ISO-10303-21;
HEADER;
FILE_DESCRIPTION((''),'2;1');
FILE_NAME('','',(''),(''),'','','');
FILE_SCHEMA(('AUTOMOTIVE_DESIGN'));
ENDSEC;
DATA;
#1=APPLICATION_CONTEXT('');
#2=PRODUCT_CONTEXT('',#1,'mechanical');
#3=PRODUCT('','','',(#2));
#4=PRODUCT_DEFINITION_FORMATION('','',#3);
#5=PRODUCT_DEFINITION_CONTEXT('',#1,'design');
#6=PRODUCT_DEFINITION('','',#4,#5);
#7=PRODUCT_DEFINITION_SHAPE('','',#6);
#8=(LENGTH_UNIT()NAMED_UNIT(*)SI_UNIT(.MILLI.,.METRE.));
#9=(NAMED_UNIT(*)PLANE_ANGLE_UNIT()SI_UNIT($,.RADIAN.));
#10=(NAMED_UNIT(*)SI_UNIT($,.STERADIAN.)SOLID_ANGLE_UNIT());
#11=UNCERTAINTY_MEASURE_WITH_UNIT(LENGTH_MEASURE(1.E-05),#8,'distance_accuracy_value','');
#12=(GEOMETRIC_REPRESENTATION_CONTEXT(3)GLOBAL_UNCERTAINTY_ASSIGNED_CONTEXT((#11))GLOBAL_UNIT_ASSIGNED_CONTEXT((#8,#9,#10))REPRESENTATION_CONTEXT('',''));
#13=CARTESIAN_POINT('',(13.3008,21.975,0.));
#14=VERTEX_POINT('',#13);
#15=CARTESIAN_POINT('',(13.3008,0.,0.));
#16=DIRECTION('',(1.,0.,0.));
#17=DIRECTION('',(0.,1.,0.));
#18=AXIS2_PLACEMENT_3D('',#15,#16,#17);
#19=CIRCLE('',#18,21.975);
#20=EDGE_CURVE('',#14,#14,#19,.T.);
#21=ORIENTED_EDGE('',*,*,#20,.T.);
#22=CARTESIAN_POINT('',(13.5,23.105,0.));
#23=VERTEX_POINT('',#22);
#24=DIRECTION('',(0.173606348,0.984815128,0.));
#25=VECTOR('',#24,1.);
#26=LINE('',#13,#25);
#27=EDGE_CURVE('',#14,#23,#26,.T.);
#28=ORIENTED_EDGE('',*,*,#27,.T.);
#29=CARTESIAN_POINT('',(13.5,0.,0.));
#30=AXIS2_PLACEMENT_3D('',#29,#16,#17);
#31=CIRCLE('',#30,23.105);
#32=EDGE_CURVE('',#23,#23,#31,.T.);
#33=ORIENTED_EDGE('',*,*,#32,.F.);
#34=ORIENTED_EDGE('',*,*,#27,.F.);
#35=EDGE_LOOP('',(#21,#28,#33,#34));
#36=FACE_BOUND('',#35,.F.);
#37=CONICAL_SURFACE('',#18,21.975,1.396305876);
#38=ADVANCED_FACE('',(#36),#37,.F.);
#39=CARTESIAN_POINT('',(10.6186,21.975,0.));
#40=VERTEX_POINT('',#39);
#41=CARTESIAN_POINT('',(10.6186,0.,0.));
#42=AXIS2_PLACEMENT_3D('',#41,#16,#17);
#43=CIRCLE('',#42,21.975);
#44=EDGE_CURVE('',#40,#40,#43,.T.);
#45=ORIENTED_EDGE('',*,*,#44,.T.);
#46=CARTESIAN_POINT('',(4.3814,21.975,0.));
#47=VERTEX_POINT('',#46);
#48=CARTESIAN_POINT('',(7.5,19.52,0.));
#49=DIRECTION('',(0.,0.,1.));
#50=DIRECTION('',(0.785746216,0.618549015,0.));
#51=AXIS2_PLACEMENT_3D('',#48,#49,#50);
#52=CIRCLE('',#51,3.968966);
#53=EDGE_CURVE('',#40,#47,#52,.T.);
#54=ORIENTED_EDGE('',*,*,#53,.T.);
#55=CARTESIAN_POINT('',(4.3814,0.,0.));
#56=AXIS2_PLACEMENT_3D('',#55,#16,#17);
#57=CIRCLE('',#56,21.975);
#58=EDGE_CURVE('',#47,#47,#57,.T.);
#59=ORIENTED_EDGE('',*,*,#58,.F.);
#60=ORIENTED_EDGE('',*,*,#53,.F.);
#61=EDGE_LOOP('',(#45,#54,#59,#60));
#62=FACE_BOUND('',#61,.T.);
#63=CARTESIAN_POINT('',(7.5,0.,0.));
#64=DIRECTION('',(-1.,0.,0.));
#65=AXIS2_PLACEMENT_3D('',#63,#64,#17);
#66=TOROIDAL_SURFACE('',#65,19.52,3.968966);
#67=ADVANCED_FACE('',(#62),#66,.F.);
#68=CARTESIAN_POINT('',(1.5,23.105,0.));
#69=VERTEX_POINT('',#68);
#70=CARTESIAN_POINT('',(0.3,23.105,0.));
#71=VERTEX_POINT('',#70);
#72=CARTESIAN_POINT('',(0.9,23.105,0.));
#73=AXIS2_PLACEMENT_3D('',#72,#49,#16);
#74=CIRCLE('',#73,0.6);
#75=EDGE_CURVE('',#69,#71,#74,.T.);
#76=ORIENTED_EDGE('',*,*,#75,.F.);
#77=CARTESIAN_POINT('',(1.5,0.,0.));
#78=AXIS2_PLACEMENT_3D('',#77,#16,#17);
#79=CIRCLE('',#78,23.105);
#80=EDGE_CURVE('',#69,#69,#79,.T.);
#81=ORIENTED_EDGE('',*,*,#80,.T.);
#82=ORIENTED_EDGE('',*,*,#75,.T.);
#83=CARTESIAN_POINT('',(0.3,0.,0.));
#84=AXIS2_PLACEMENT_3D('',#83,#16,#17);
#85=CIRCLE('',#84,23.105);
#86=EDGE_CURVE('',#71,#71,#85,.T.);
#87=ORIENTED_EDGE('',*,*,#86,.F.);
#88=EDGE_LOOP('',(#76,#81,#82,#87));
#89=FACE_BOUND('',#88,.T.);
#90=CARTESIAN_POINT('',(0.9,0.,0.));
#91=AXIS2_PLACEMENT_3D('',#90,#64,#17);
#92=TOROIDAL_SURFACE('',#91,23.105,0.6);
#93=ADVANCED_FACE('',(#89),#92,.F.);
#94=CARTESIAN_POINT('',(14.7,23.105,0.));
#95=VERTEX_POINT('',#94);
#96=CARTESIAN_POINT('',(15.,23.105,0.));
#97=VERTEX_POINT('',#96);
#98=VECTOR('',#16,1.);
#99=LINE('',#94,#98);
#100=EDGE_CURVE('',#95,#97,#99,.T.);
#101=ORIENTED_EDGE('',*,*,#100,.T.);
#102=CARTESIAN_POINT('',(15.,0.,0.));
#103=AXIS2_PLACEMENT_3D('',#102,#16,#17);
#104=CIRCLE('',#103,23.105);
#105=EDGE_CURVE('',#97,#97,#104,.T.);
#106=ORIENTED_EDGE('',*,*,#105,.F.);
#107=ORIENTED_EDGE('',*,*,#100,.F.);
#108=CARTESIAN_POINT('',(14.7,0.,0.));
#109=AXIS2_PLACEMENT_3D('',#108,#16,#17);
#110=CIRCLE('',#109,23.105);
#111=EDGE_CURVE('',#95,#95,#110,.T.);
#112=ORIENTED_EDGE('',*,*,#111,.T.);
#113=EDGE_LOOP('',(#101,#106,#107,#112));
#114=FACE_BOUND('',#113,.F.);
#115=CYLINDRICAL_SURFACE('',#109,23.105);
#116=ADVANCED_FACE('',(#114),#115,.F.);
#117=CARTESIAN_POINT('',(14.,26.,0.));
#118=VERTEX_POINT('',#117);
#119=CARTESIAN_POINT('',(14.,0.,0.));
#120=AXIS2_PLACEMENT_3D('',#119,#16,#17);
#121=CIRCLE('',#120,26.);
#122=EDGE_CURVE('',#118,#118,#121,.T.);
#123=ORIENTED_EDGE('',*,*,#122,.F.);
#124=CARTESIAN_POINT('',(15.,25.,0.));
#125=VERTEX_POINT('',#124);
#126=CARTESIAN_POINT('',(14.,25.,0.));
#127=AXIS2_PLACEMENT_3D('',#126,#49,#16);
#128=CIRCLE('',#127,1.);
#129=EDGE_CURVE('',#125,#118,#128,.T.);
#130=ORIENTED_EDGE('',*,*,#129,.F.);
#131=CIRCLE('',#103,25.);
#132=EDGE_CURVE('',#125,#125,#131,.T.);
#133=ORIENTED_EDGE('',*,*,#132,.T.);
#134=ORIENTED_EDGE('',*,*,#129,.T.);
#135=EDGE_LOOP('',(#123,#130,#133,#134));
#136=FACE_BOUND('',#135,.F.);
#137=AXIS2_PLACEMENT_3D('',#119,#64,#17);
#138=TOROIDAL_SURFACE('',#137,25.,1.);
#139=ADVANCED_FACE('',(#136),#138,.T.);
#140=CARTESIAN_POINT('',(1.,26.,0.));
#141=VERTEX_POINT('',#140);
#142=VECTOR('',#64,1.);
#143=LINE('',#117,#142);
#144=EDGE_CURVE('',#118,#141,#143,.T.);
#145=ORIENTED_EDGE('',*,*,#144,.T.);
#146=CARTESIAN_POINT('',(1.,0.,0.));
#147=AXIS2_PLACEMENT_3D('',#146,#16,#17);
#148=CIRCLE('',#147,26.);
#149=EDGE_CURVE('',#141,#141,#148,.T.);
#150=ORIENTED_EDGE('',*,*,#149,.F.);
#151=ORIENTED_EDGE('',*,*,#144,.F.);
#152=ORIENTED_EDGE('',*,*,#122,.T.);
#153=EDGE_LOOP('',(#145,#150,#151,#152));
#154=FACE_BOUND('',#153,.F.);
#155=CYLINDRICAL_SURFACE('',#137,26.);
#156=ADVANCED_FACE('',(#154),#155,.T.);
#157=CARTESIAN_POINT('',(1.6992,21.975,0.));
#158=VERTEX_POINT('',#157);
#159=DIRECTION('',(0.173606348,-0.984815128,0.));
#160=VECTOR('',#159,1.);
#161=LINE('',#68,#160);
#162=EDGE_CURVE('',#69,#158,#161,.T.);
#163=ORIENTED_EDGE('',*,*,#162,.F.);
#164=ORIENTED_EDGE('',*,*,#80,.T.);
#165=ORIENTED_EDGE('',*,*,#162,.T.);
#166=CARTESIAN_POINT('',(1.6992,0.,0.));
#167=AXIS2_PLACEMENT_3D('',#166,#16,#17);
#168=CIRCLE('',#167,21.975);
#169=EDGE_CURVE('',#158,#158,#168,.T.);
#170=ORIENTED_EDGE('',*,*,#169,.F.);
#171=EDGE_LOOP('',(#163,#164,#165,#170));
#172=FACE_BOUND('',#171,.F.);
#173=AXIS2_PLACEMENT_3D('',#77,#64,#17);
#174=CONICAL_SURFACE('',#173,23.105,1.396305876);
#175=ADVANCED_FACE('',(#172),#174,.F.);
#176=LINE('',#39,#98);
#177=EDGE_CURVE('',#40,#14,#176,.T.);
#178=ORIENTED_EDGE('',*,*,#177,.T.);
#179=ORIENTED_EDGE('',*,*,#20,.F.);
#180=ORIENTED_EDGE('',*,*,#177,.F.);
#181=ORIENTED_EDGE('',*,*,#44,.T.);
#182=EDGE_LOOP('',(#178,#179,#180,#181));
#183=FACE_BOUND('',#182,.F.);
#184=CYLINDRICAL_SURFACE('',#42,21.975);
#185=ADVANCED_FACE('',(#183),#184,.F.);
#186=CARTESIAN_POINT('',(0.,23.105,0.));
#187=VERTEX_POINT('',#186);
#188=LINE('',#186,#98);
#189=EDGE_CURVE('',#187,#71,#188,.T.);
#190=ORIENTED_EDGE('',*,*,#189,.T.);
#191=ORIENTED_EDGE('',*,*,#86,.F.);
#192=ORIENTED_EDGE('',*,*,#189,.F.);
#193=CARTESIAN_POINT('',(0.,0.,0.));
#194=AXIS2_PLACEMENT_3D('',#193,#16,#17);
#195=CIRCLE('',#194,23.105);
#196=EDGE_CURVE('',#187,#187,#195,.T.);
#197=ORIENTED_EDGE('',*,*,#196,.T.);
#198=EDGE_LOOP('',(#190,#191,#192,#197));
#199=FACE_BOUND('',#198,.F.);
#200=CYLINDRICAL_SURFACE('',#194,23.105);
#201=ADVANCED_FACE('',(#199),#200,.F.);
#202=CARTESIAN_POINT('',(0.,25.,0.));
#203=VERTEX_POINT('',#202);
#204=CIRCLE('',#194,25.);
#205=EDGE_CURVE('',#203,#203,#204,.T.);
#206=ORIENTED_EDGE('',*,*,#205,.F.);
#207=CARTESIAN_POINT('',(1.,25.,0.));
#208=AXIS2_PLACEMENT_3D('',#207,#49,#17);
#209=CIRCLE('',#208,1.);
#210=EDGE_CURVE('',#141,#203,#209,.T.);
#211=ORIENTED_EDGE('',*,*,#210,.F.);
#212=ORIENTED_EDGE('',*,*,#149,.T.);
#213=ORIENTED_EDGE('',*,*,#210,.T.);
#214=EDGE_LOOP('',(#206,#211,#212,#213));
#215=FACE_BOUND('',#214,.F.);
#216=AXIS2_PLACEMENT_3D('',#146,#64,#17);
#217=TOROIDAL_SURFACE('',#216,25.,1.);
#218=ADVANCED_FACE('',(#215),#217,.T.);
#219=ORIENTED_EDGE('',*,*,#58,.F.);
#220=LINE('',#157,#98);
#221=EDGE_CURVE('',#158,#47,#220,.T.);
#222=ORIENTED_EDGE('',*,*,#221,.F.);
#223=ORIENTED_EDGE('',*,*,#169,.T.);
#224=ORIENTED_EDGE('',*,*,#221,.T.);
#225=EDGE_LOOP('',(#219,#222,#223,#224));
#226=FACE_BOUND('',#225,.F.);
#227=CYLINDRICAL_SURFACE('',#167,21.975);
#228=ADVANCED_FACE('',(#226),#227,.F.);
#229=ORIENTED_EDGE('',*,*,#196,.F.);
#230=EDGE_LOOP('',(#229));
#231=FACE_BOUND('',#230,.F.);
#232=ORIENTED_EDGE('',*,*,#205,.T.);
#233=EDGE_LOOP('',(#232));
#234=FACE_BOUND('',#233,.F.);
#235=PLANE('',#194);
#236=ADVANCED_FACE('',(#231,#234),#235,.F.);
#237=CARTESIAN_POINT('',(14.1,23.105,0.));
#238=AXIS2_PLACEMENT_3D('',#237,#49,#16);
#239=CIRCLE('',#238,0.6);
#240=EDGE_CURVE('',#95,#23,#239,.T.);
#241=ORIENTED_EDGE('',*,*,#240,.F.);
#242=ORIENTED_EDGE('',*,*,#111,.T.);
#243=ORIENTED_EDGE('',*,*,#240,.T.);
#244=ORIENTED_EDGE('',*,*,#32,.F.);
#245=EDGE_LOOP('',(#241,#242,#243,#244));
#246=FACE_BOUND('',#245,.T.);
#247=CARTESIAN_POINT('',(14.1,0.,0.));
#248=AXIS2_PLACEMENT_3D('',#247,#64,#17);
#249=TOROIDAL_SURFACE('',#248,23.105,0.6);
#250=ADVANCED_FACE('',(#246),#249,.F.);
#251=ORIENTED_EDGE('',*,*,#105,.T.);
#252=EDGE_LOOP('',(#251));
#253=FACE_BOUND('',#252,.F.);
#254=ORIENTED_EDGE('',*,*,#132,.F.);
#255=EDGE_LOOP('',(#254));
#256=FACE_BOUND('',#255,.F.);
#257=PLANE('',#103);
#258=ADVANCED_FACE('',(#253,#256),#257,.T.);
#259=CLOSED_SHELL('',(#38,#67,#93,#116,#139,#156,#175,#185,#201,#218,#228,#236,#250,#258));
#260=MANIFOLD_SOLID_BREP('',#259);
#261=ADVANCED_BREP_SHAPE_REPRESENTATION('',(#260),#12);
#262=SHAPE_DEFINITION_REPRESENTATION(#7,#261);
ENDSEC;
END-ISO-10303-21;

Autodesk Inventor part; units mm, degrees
ref_plane "YZ Plane" through (0, 0, 0) normal (1, 0, 0) x (0, 1, 0)
ref_plane "XZ Plane" through (0, 0, 0) normal (0, 1, 0) x (-1, 0, 0)
ref_plane "XY Plane" through (0, 0, 0) normal (0, 0, 1) x (1, 0, 0)
sketch "Sketch_2" plane through (0, 0, 0) normal (0, 0, 1) x (1, 0, 0)
  line L0 (50, 0) -> (-50, 0)
  line L1 (0, 23.105) -> (0.3, 23.105)
  arc A0 (1.5, 23.105) -> (0.3, 23.105) centre (0.9, 23.105) ccw
  line L2 (1.5, 23.105) -> (1.6992, 21.975)
  line L3 (1.6992, 21.975) -> (4.3814, 21.975)
  arc A1 (10.6186, 21.975) -> (4.3814, 21.975) centre (7.5, 19.52) ccw
  line L4 (10.6186, 21.975) -> (13.3008, 21.975)
  line L5 (13.3008, 21.975) -> (13.5, 23.105)
  arc A2 (14.7, 23.105) -> (13.5, 23.105) centre (14.1, 23.105) ccw
  line L6 (14.7, 23.105) -> (15, 23.105)
  line L7 (15, 23.105) -> (15, 25)
  arc A3 (15, 25) -> (14, 26) centre (14, 25) ccw
  line L8 (14, 26) -> (1, 26)
  arc A4 (1, 26) -> (0, 25) centre (1, 25) ccw
  line L9 (0, 25) -> (0, 23.105)
revolve "Revolution1" add sketch "Sketch_2" angle 360 about axis through (50, 0, 0) along (1, 0, 0)
properties part number "6205_PART2"
